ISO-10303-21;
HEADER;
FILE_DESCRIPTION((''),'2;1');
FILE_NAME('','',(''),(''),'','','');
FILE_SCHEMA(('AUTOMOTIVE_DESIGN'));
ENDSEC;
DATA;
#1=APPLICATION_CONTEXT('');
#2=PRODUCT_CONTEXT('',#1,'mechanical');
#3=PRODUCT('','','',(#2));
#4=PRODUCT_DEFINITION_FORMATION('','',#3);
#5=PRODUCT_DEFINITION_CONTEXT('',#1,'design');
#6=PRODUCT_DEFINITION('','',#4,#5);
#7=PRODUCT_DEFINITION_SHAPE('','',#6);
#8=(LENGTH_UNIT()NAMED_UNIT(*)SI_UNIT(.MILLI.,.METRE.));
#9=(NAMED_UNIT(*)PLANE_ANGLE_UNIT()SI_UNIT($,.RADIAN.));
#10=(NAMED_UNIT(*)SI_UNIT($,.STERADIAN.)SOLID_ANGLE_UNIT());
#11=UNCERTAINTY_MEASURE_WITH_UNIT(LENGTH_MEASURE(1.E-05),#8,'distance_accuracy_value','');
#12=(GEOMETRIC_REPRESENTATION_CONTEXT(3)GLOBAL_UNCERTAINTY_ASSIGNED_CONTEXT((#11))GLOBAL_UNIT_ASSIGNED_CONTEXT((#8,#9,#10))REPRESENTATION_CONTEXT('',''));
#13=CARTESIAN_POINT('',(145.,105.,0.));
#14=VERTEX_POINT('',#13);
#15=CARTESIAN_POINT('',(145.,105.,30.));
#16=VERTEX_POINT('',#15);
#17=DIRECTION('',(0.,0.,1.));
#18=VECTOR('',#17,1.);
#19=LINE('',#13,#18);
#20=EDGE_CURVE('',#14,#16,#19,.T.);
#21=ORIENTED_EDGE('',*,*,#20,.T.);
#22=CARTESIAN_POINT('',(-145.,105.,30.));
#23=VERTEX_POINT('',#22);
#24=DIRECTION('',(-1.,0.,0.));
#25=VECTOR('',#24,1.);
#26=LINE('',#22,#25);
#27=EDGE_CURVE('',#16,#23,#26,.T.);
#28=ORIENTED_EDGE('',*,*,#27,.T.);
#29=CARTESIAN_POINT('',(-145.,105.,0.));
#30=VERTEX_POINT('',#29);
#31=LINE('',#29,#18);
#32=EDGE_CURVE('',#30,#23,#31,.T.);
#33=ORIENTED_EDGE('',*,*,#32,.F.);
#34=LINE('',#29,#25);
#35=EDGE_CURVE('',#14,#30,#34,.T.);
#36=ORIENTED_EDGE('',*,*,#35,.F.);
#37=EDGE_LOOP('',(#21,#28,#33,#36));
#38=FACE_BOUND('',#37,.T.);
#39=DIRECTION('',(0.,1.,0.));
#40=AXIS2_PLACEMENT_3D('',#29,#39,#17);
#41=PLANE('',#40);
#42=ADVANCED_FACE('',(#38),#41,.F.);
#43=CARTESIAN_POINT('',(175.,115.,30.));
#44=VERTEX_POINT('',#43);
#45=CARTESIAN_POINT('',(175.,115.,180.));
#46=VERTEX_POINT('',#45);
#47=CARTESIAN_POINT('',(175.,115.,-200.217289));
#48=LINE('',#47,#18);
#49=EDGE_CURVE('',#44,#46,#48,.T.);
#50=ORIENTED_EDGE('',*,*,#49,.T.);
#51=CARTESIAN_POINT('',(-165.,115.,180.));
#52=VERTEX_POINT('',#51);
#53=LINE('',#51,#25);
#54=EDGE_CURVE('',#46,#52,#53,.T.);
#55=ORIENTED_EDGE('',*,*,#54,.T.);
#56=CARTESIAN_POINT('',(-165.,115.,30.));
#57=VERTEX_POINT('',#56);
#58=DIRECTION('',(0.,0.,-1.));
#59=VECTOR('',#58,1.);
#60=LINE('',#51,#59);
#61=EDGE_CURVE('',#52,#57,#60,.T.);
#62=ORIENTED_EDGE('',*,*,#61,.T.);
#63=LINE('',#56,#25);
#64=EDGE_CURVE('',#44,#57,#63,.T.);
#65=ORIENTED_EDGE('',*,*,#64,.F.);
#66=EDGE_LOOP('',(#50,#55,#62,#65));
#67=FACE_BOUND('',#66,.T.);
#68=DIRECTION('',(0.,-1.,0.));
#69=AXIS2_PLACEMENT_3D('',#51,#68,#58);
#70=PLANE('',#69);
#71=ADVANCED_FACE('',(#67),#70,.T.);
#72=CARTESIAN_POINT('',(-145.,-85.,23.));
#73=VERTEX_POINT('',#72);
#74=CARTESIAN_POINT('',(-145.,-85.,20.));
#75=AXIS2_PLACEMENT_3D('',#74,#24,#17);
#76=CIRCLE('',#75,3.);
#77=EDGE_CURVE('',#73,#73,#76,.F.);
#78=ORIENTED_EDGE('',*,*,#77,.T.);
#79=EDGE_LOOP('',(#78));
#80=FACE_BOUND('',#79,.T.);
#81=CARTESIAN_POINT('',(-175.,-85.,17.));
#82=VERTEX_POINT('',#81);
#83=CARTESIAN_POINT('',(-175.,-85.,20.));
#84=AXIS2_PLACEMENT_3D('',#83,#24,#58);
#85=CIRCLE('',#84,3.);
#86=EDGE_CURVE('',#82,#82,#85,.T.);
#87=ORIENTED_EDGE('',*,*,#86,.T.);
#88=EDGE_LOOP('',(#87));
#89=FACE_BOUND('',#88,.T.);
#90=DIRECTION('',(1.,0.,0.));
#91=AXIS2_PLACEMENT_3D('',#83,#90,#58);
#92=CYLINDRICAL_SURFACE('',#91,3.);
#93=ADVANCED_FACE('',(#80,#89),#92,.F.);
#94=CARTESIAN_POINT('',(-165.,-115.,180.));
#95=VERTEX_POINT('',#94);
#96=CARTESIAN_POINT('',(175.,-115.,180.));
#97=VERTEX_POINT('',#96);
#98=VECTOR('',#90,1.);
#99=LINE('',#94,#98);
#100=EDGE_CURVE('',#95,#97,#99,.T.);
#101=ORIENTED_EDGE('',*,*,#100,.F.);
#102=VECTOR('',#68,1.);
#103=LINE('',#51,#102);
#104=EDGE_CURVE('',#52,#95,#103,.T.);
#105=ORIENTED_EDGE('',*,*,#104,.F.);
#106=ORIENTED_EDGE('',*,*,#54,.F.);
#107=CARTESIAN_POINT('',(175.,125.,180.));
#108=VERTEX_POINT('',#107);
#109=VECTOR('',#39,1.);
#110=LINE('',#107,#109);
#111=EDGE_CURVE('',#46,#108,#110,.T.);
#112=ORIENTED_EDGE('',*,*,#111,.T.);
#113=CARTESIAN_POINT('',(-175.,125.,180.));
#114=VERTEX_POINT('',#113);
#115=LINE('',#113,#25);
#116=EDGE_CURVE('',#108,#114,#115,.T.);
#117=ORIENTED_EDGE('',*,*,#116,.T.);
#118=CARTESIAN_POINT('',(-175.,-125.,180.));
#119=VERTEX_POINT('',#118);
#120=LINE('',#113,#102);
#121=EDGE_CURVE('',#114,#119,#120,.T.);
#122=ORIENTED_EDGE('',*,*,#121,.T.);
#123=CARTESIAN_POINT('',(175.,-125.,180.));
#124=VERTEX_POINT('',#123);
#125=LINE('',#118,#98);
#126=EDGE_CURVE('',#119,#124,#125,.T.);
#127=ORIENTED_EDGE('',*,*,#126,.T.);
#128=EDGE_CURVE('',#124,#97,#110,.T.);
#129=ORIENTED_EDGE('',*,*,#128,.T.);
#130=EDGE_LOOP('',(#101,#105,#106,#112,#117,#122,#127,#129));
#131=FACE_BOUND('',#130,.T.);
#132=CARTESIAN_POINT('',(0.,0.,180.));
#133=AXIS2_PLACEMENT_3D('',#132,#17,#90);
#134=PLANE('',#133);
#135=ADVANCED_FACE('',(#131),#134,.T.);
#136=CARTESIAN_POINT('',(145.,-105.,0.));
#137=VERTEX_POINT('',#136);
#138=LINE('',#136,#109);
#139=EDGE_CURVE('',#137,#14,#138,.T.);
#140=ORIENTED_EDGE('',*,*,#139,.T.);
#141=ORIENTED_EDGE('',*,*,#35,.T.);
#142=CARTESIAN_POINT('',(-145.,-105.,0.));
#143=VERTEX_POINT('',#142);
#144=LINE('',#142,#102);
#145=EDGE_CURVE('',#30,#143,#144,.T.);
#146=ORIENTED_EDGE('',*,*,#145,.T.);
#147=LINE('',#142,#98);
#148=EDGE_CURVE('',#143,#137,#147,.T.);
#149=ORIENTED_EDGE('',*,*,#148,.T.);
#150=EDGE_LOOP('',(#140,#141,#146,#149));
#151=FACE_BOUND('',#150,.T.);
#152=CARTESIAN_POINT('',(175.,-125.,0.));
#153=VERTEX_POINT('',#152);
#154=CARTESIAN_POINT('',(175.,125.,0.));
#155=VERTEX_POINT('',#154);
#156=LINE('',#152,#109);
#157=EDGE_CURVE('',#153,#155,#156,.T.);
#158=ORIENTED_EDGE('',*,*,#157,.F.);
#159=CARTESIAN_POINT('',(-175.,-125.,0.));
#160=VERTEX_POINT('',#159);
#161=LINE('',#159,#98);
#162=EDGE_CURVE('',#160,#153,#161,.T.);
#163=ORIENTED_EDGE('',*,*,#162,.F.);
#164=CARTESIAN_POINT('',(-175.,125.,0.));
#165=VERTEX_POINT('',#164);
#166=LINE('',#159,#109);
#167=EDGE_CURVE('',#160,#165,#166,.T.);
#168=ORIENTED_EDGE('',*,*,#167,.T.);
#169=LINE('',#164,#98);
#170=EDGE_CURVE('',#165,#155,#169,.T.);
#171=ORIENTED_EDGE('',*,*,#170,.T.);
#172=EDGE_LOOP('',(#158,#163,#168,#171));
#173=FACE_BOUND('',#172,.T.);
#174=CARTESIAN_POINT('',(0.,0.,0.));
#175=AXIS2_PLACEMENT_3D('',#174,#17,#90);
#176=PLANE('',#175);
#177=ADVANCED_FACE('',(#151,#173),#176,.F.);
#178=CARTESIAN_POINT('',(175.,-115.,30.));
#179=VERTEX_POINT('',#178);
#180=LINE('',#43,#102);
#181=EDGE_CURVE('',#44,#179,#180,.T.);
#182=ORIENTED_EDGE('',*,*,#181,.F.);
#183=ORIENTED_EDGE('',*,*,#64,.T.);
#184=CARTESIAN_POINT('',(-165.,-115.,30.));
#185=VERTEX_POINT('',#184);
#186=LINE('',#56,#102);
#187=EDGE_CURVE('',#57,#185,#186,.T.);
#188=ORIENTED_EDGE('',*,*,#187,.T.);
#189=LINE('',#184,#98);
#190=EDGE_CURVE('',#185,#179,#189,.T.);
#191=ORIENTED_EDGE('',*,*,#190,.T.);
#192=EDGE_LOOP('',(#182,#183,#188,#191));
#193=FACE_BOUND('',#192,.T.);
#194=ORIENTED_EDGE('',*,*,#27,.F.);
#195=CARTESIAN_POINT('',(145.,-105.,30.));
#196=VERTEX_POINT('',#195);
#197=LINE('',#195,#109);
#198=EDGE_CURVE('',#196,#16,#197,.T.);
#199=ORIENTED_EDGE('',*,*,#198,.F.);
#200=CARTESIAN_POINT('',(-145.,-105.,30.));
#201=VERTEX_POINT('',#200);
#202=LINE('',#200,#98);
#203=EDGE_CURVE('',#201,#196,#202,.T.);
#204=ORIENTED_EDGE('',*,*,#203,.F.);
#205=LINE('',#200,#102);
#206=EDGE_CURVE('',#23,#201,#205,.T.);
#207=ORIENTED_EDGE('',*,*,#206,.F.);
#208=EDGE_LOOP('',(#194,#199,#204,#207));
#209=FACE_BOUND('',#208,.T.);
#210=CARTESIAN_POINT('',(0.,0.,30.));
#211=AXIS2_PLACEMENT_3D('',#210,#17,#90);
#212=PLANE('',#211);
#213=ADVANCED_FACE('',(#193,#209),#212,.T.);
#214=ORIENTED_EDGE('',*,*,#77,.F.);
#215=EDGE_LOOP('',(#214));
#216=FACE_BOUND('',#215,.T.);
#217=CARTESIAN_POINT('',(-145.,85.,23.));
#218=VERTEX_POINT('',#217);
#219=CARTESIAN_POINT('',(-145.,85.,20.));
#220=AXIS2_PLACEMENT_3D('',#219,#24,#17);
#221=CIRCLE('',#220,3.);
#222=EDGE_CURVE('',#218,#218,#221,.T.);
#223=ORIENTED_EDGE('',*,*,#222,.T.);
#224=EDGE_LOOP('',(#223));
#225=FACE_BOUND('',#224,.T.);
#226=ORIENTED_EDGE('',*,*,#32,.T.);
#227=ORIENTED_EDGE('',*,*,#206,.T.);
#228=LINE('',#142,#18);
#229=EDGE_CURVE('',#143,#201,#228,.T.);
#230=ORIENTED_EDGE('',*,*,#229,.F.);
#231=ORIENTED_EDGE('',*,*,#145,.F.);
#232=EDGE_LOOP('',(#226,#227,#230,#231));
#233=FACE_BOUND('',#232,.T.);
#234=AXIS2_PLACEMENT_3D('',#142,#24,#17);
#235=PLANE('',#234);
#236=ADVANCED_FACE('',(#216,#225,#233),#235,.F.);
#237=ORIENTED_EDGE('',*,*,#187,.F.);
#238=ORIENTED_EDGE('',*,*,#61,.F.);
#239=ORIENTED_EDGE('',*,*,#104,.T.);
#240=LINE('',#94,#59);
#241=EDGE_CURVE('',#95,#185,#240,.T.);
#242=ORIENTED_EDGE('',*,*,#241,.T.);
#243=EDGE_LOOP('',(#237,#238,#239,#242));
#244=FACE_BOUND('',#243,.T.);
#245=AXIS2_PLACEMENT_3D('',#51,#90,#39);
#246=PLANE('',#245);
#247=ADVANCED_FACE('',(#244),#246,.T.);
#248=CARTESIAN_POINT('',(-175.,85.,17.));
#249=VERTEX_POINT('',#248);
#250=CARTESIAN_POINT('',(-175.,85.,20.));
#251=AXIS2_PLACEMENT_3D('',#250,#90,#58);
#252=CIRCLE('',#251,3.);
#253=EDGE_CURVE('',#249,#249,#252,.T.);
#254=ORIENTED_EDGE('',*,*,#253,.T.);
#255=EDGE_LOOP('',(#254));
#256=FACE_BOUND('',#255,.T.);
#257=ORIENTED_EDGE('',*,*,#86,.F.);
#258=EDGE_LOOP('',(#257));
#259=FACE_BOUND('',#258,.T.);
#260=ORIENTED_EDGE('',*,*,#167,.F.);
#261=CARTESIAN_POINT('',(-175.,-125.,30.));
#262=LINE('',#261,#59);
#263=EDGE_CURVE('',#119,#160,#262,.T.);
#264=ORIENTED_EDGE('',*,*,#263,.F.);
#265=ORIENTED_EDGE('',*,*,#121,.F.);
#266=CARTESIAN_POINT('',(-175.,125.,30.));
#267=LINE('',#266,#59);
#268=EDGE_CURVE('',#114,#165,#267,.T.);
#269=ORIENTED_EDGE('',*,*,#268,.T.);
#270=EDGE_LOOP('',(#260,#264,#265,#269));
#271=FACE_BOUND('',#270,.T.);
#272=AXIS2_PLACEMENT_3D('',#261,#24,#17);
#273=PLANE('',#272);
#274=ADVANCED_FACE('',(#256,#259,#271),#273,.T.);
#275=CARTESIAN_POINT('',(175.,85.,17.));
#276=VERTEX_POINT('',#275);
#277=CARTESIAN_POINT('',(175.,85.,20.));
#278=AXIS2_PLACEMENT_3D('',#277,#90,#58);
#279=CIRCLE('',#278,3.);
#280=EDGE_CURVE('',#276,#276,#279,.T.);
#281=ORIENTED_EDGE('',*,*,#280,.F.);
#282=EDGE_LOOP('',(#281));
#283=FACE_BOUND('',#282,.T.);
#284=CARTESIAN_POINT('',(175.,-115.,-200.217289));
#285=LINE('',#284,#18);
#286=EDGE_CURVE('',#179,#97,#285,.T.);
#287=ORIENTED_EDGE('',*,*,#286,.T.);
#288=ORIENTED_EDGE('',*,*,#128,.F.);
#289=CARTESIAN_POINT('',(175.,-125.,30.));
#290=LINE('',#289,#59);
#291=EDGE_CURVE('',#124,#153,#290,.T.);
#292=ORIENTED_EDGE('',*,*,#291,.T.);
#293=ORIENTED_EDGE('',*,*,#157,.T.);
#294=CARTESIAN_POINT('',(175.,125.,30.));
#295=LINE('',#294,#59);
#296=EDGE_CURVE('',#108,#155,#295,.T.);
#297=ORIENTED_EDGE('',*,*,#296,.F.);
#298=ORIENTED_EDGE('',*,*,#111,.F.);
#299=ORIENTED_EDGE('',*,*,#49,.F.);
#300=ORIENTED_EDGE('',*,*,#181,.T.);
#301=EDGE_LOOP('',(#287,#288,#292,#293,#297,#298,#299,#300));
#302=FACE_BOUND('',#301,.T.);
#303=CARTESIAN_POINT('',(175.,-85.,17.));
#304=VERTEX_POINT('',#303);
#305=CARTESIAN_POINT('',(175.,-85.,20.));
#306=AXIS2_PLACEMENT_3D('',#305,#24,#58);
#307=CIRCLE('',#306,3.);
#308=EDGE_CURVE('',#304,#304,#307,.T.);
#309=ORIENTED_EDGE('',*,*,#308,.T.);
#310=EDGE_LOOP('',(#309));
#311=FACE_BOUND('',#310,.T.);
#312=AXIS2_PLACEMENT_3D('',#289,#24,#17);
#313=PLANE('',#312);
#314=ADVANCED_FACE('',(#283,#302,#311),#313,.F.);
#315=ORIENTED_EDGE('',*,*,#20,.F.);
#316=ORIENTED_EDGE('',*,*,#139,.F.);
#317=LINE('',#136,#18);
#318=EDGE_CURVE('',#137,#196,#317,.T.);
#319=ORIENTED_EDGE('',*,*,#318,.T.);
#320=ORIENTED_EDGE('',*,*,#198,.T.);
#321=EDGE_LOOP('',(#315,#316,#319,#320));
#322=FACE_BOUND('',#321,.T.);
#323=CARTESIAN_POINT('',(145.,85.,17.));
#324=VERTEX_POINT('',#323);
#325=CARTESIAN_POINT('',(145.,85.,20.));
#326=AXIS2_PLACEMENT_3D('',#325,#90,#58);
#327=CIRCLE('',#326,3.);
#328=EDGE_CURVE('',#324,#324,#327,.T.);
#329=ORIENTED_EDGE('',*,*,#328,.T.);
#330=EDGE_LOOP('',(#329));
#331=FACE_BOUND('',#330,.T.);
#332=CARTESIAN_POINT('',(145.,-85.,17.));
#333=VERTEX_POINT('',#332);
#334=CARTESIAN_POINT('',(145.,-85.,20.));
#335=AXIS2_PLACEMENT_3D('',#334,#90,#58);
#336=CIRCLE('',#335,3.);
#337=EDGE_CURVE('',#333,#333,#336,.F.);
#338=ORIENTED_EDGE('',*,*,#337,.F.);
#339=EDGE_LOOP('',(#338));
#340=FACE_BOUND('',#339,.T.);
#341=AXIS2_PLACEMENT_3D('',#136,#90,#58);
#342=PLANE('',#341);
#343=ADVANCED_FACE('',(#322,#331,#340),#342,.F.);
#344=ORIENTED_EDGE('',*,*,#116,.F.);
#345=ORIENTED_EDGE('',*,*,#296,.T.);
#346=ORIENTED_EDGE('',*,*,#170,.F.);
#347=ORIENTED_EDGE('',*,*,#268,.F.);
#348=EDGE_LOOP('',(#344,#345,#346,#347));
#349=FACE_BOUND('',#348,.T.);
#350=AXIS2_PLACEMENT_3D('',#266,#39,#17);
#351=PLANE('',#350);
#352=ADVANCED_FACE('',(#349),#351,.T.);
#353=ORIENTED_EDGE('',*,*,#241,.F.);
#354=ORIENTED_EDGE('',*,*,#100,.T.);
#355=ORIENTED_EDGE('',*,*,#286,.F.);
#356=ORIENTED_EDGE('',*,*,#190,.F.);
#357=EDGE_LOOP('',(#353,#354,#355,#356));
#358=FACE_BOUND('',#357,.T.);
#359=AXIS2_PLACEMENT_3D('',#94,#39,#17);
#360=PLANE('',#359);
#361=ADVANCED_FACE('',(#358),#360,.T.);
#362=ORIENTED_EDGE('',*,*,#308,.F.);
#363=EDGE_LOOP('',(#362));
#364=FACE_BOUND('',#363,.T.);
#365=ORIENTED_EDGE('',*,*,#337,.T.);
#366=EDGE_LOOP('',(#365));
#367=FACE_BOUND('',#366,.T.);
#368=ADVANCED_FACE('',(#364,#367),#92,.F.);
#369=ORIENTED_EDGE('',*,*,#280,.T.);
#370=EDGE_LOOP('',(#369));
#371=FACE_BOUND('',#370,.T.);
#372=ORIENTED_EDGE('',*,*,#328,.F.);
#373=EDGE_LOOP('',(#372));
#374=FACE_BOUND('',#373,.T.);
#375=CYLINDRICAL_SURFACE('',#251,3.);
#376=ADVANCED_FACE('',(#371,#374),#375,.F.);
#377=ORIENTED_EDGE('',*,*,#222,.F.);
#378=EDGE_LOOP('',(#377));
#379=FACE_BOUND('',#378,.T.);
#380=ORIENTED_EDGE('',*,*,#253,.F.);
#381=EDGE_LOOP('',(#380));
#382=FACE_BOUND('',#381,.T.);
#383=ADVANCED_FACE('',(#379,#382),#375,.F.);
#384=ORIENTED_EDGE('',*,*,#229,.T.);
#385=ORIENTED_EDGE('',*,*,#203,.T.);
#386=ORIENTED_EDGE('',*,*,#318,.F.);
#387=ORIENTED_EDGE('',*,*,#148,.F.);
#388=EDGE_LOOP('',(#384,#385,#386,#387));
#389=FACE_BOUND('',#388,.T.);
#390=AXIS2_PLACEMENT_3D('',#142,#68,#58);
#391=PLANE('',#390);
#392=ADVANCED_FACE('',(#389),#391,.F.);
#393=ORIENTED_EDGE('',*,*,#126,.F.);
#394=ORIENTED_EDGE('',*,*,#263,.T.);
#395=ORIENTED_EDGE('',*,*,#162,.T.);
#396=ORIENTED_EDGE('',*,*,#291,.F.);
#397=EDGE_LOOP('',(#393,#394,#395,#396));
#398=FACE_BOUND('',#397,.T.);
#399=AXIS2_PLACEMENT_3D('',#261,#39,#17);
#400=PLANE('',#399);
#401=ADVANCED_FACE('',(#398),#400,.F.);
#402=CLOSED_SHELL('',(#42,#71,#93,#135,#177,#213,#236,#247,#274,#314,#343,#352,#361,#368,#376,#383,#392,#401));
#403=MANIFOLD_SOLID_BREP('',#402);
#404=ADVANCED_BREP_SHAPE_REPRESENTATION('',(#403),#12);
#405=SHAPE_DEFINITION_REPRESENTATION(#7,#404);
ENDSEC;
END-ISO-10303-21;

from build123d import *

# Parameters (mm, degrees)
SKETCH_1_W          = 350
SKETCH_1_H          = 250
EXTRUDE_1_DEPTH     = 30
SKETCH_2_W          = 290
SKETCH_2_H          = 210
CUT_EXTRUDE_1_DEPTH = 30
SKETCH_3_R          = 3
CUT_EXTRUDE_2_DEPTH = 351
SKETCH_4_W          = 350
SKETCH_4_H          = 250
SKETCH_4_W_2        = 330
SKETCH_4_H_2        = 230
EXTRUDE_2_DEPTH     = 150
SKETCH_5_W          = 10
SKETCH_5_H          = 230
CUT_EXTRUDE_3_DEPTH = 150


with BuildPart() as part:
    # 草图1 → 凸台-拉伸1 (new body)
    with BuildSketch(Plane.XY):
        Rectangle(SKETCH_1_W, SKETCH_1_H)
    extrude(amount=EXTRUDE_1_DEPTH)

    # 草图2 → 切除-拉伸1 (cut)
    with BuildSketch(Plane.XY.offset(30)):
        Rectangle(SKETCH_2_W, SKETCH_2_H)
    extrude(amount=-CUT_EXTRUDE_1_DEPTH, mode=Mode.SUBTRACT)

    # 草图3 → 切除-拉伸2 (cut, through all)
    with BuildSketch(Plane(origin=(175, 0, 0), x_dir=(0, 0, -1), z_dir=(1, 0, 0))):
        with Locations((-20, 85)):
            Circle(SKETCH_3_R)
    cut_extrude_2 = extrude(amount=-CUT_EXTRUDE_2_DEPTH, mode=Mode.SUBTRACT)

    # 镜向1: 切除-拉伸2 across plane
    add(cut_extrude_2.mirror(Plane.ZX), mode=Mode.SUBTRACT)

    # 草图4 → 凸台-拉伸2 (add)
    with BuildSketch(Plane.XY.offset(30)):
        Rectangle(SKETCH_4_W, SKETCH_4_H)
        Rectangle(SKETCH_4_W_2, SKETCH_4_H_2, mode=Mode.SUBTRACT)
    extrude(amount=EXTRUDE_2_DEPTH)

    # 草图5 → 切除-拉伸3 (cut)
    with BuildSketch(Plane.XY.offset(180)):
        with Locations((170, 0)):
            Rectangle(SKETCH_5_W, SKETCH_5_H)
    extrude(amount=-CUT_EXTRUDE_3_DEPTH, mode=Mode.SUBTRACT)


solid = part.part
